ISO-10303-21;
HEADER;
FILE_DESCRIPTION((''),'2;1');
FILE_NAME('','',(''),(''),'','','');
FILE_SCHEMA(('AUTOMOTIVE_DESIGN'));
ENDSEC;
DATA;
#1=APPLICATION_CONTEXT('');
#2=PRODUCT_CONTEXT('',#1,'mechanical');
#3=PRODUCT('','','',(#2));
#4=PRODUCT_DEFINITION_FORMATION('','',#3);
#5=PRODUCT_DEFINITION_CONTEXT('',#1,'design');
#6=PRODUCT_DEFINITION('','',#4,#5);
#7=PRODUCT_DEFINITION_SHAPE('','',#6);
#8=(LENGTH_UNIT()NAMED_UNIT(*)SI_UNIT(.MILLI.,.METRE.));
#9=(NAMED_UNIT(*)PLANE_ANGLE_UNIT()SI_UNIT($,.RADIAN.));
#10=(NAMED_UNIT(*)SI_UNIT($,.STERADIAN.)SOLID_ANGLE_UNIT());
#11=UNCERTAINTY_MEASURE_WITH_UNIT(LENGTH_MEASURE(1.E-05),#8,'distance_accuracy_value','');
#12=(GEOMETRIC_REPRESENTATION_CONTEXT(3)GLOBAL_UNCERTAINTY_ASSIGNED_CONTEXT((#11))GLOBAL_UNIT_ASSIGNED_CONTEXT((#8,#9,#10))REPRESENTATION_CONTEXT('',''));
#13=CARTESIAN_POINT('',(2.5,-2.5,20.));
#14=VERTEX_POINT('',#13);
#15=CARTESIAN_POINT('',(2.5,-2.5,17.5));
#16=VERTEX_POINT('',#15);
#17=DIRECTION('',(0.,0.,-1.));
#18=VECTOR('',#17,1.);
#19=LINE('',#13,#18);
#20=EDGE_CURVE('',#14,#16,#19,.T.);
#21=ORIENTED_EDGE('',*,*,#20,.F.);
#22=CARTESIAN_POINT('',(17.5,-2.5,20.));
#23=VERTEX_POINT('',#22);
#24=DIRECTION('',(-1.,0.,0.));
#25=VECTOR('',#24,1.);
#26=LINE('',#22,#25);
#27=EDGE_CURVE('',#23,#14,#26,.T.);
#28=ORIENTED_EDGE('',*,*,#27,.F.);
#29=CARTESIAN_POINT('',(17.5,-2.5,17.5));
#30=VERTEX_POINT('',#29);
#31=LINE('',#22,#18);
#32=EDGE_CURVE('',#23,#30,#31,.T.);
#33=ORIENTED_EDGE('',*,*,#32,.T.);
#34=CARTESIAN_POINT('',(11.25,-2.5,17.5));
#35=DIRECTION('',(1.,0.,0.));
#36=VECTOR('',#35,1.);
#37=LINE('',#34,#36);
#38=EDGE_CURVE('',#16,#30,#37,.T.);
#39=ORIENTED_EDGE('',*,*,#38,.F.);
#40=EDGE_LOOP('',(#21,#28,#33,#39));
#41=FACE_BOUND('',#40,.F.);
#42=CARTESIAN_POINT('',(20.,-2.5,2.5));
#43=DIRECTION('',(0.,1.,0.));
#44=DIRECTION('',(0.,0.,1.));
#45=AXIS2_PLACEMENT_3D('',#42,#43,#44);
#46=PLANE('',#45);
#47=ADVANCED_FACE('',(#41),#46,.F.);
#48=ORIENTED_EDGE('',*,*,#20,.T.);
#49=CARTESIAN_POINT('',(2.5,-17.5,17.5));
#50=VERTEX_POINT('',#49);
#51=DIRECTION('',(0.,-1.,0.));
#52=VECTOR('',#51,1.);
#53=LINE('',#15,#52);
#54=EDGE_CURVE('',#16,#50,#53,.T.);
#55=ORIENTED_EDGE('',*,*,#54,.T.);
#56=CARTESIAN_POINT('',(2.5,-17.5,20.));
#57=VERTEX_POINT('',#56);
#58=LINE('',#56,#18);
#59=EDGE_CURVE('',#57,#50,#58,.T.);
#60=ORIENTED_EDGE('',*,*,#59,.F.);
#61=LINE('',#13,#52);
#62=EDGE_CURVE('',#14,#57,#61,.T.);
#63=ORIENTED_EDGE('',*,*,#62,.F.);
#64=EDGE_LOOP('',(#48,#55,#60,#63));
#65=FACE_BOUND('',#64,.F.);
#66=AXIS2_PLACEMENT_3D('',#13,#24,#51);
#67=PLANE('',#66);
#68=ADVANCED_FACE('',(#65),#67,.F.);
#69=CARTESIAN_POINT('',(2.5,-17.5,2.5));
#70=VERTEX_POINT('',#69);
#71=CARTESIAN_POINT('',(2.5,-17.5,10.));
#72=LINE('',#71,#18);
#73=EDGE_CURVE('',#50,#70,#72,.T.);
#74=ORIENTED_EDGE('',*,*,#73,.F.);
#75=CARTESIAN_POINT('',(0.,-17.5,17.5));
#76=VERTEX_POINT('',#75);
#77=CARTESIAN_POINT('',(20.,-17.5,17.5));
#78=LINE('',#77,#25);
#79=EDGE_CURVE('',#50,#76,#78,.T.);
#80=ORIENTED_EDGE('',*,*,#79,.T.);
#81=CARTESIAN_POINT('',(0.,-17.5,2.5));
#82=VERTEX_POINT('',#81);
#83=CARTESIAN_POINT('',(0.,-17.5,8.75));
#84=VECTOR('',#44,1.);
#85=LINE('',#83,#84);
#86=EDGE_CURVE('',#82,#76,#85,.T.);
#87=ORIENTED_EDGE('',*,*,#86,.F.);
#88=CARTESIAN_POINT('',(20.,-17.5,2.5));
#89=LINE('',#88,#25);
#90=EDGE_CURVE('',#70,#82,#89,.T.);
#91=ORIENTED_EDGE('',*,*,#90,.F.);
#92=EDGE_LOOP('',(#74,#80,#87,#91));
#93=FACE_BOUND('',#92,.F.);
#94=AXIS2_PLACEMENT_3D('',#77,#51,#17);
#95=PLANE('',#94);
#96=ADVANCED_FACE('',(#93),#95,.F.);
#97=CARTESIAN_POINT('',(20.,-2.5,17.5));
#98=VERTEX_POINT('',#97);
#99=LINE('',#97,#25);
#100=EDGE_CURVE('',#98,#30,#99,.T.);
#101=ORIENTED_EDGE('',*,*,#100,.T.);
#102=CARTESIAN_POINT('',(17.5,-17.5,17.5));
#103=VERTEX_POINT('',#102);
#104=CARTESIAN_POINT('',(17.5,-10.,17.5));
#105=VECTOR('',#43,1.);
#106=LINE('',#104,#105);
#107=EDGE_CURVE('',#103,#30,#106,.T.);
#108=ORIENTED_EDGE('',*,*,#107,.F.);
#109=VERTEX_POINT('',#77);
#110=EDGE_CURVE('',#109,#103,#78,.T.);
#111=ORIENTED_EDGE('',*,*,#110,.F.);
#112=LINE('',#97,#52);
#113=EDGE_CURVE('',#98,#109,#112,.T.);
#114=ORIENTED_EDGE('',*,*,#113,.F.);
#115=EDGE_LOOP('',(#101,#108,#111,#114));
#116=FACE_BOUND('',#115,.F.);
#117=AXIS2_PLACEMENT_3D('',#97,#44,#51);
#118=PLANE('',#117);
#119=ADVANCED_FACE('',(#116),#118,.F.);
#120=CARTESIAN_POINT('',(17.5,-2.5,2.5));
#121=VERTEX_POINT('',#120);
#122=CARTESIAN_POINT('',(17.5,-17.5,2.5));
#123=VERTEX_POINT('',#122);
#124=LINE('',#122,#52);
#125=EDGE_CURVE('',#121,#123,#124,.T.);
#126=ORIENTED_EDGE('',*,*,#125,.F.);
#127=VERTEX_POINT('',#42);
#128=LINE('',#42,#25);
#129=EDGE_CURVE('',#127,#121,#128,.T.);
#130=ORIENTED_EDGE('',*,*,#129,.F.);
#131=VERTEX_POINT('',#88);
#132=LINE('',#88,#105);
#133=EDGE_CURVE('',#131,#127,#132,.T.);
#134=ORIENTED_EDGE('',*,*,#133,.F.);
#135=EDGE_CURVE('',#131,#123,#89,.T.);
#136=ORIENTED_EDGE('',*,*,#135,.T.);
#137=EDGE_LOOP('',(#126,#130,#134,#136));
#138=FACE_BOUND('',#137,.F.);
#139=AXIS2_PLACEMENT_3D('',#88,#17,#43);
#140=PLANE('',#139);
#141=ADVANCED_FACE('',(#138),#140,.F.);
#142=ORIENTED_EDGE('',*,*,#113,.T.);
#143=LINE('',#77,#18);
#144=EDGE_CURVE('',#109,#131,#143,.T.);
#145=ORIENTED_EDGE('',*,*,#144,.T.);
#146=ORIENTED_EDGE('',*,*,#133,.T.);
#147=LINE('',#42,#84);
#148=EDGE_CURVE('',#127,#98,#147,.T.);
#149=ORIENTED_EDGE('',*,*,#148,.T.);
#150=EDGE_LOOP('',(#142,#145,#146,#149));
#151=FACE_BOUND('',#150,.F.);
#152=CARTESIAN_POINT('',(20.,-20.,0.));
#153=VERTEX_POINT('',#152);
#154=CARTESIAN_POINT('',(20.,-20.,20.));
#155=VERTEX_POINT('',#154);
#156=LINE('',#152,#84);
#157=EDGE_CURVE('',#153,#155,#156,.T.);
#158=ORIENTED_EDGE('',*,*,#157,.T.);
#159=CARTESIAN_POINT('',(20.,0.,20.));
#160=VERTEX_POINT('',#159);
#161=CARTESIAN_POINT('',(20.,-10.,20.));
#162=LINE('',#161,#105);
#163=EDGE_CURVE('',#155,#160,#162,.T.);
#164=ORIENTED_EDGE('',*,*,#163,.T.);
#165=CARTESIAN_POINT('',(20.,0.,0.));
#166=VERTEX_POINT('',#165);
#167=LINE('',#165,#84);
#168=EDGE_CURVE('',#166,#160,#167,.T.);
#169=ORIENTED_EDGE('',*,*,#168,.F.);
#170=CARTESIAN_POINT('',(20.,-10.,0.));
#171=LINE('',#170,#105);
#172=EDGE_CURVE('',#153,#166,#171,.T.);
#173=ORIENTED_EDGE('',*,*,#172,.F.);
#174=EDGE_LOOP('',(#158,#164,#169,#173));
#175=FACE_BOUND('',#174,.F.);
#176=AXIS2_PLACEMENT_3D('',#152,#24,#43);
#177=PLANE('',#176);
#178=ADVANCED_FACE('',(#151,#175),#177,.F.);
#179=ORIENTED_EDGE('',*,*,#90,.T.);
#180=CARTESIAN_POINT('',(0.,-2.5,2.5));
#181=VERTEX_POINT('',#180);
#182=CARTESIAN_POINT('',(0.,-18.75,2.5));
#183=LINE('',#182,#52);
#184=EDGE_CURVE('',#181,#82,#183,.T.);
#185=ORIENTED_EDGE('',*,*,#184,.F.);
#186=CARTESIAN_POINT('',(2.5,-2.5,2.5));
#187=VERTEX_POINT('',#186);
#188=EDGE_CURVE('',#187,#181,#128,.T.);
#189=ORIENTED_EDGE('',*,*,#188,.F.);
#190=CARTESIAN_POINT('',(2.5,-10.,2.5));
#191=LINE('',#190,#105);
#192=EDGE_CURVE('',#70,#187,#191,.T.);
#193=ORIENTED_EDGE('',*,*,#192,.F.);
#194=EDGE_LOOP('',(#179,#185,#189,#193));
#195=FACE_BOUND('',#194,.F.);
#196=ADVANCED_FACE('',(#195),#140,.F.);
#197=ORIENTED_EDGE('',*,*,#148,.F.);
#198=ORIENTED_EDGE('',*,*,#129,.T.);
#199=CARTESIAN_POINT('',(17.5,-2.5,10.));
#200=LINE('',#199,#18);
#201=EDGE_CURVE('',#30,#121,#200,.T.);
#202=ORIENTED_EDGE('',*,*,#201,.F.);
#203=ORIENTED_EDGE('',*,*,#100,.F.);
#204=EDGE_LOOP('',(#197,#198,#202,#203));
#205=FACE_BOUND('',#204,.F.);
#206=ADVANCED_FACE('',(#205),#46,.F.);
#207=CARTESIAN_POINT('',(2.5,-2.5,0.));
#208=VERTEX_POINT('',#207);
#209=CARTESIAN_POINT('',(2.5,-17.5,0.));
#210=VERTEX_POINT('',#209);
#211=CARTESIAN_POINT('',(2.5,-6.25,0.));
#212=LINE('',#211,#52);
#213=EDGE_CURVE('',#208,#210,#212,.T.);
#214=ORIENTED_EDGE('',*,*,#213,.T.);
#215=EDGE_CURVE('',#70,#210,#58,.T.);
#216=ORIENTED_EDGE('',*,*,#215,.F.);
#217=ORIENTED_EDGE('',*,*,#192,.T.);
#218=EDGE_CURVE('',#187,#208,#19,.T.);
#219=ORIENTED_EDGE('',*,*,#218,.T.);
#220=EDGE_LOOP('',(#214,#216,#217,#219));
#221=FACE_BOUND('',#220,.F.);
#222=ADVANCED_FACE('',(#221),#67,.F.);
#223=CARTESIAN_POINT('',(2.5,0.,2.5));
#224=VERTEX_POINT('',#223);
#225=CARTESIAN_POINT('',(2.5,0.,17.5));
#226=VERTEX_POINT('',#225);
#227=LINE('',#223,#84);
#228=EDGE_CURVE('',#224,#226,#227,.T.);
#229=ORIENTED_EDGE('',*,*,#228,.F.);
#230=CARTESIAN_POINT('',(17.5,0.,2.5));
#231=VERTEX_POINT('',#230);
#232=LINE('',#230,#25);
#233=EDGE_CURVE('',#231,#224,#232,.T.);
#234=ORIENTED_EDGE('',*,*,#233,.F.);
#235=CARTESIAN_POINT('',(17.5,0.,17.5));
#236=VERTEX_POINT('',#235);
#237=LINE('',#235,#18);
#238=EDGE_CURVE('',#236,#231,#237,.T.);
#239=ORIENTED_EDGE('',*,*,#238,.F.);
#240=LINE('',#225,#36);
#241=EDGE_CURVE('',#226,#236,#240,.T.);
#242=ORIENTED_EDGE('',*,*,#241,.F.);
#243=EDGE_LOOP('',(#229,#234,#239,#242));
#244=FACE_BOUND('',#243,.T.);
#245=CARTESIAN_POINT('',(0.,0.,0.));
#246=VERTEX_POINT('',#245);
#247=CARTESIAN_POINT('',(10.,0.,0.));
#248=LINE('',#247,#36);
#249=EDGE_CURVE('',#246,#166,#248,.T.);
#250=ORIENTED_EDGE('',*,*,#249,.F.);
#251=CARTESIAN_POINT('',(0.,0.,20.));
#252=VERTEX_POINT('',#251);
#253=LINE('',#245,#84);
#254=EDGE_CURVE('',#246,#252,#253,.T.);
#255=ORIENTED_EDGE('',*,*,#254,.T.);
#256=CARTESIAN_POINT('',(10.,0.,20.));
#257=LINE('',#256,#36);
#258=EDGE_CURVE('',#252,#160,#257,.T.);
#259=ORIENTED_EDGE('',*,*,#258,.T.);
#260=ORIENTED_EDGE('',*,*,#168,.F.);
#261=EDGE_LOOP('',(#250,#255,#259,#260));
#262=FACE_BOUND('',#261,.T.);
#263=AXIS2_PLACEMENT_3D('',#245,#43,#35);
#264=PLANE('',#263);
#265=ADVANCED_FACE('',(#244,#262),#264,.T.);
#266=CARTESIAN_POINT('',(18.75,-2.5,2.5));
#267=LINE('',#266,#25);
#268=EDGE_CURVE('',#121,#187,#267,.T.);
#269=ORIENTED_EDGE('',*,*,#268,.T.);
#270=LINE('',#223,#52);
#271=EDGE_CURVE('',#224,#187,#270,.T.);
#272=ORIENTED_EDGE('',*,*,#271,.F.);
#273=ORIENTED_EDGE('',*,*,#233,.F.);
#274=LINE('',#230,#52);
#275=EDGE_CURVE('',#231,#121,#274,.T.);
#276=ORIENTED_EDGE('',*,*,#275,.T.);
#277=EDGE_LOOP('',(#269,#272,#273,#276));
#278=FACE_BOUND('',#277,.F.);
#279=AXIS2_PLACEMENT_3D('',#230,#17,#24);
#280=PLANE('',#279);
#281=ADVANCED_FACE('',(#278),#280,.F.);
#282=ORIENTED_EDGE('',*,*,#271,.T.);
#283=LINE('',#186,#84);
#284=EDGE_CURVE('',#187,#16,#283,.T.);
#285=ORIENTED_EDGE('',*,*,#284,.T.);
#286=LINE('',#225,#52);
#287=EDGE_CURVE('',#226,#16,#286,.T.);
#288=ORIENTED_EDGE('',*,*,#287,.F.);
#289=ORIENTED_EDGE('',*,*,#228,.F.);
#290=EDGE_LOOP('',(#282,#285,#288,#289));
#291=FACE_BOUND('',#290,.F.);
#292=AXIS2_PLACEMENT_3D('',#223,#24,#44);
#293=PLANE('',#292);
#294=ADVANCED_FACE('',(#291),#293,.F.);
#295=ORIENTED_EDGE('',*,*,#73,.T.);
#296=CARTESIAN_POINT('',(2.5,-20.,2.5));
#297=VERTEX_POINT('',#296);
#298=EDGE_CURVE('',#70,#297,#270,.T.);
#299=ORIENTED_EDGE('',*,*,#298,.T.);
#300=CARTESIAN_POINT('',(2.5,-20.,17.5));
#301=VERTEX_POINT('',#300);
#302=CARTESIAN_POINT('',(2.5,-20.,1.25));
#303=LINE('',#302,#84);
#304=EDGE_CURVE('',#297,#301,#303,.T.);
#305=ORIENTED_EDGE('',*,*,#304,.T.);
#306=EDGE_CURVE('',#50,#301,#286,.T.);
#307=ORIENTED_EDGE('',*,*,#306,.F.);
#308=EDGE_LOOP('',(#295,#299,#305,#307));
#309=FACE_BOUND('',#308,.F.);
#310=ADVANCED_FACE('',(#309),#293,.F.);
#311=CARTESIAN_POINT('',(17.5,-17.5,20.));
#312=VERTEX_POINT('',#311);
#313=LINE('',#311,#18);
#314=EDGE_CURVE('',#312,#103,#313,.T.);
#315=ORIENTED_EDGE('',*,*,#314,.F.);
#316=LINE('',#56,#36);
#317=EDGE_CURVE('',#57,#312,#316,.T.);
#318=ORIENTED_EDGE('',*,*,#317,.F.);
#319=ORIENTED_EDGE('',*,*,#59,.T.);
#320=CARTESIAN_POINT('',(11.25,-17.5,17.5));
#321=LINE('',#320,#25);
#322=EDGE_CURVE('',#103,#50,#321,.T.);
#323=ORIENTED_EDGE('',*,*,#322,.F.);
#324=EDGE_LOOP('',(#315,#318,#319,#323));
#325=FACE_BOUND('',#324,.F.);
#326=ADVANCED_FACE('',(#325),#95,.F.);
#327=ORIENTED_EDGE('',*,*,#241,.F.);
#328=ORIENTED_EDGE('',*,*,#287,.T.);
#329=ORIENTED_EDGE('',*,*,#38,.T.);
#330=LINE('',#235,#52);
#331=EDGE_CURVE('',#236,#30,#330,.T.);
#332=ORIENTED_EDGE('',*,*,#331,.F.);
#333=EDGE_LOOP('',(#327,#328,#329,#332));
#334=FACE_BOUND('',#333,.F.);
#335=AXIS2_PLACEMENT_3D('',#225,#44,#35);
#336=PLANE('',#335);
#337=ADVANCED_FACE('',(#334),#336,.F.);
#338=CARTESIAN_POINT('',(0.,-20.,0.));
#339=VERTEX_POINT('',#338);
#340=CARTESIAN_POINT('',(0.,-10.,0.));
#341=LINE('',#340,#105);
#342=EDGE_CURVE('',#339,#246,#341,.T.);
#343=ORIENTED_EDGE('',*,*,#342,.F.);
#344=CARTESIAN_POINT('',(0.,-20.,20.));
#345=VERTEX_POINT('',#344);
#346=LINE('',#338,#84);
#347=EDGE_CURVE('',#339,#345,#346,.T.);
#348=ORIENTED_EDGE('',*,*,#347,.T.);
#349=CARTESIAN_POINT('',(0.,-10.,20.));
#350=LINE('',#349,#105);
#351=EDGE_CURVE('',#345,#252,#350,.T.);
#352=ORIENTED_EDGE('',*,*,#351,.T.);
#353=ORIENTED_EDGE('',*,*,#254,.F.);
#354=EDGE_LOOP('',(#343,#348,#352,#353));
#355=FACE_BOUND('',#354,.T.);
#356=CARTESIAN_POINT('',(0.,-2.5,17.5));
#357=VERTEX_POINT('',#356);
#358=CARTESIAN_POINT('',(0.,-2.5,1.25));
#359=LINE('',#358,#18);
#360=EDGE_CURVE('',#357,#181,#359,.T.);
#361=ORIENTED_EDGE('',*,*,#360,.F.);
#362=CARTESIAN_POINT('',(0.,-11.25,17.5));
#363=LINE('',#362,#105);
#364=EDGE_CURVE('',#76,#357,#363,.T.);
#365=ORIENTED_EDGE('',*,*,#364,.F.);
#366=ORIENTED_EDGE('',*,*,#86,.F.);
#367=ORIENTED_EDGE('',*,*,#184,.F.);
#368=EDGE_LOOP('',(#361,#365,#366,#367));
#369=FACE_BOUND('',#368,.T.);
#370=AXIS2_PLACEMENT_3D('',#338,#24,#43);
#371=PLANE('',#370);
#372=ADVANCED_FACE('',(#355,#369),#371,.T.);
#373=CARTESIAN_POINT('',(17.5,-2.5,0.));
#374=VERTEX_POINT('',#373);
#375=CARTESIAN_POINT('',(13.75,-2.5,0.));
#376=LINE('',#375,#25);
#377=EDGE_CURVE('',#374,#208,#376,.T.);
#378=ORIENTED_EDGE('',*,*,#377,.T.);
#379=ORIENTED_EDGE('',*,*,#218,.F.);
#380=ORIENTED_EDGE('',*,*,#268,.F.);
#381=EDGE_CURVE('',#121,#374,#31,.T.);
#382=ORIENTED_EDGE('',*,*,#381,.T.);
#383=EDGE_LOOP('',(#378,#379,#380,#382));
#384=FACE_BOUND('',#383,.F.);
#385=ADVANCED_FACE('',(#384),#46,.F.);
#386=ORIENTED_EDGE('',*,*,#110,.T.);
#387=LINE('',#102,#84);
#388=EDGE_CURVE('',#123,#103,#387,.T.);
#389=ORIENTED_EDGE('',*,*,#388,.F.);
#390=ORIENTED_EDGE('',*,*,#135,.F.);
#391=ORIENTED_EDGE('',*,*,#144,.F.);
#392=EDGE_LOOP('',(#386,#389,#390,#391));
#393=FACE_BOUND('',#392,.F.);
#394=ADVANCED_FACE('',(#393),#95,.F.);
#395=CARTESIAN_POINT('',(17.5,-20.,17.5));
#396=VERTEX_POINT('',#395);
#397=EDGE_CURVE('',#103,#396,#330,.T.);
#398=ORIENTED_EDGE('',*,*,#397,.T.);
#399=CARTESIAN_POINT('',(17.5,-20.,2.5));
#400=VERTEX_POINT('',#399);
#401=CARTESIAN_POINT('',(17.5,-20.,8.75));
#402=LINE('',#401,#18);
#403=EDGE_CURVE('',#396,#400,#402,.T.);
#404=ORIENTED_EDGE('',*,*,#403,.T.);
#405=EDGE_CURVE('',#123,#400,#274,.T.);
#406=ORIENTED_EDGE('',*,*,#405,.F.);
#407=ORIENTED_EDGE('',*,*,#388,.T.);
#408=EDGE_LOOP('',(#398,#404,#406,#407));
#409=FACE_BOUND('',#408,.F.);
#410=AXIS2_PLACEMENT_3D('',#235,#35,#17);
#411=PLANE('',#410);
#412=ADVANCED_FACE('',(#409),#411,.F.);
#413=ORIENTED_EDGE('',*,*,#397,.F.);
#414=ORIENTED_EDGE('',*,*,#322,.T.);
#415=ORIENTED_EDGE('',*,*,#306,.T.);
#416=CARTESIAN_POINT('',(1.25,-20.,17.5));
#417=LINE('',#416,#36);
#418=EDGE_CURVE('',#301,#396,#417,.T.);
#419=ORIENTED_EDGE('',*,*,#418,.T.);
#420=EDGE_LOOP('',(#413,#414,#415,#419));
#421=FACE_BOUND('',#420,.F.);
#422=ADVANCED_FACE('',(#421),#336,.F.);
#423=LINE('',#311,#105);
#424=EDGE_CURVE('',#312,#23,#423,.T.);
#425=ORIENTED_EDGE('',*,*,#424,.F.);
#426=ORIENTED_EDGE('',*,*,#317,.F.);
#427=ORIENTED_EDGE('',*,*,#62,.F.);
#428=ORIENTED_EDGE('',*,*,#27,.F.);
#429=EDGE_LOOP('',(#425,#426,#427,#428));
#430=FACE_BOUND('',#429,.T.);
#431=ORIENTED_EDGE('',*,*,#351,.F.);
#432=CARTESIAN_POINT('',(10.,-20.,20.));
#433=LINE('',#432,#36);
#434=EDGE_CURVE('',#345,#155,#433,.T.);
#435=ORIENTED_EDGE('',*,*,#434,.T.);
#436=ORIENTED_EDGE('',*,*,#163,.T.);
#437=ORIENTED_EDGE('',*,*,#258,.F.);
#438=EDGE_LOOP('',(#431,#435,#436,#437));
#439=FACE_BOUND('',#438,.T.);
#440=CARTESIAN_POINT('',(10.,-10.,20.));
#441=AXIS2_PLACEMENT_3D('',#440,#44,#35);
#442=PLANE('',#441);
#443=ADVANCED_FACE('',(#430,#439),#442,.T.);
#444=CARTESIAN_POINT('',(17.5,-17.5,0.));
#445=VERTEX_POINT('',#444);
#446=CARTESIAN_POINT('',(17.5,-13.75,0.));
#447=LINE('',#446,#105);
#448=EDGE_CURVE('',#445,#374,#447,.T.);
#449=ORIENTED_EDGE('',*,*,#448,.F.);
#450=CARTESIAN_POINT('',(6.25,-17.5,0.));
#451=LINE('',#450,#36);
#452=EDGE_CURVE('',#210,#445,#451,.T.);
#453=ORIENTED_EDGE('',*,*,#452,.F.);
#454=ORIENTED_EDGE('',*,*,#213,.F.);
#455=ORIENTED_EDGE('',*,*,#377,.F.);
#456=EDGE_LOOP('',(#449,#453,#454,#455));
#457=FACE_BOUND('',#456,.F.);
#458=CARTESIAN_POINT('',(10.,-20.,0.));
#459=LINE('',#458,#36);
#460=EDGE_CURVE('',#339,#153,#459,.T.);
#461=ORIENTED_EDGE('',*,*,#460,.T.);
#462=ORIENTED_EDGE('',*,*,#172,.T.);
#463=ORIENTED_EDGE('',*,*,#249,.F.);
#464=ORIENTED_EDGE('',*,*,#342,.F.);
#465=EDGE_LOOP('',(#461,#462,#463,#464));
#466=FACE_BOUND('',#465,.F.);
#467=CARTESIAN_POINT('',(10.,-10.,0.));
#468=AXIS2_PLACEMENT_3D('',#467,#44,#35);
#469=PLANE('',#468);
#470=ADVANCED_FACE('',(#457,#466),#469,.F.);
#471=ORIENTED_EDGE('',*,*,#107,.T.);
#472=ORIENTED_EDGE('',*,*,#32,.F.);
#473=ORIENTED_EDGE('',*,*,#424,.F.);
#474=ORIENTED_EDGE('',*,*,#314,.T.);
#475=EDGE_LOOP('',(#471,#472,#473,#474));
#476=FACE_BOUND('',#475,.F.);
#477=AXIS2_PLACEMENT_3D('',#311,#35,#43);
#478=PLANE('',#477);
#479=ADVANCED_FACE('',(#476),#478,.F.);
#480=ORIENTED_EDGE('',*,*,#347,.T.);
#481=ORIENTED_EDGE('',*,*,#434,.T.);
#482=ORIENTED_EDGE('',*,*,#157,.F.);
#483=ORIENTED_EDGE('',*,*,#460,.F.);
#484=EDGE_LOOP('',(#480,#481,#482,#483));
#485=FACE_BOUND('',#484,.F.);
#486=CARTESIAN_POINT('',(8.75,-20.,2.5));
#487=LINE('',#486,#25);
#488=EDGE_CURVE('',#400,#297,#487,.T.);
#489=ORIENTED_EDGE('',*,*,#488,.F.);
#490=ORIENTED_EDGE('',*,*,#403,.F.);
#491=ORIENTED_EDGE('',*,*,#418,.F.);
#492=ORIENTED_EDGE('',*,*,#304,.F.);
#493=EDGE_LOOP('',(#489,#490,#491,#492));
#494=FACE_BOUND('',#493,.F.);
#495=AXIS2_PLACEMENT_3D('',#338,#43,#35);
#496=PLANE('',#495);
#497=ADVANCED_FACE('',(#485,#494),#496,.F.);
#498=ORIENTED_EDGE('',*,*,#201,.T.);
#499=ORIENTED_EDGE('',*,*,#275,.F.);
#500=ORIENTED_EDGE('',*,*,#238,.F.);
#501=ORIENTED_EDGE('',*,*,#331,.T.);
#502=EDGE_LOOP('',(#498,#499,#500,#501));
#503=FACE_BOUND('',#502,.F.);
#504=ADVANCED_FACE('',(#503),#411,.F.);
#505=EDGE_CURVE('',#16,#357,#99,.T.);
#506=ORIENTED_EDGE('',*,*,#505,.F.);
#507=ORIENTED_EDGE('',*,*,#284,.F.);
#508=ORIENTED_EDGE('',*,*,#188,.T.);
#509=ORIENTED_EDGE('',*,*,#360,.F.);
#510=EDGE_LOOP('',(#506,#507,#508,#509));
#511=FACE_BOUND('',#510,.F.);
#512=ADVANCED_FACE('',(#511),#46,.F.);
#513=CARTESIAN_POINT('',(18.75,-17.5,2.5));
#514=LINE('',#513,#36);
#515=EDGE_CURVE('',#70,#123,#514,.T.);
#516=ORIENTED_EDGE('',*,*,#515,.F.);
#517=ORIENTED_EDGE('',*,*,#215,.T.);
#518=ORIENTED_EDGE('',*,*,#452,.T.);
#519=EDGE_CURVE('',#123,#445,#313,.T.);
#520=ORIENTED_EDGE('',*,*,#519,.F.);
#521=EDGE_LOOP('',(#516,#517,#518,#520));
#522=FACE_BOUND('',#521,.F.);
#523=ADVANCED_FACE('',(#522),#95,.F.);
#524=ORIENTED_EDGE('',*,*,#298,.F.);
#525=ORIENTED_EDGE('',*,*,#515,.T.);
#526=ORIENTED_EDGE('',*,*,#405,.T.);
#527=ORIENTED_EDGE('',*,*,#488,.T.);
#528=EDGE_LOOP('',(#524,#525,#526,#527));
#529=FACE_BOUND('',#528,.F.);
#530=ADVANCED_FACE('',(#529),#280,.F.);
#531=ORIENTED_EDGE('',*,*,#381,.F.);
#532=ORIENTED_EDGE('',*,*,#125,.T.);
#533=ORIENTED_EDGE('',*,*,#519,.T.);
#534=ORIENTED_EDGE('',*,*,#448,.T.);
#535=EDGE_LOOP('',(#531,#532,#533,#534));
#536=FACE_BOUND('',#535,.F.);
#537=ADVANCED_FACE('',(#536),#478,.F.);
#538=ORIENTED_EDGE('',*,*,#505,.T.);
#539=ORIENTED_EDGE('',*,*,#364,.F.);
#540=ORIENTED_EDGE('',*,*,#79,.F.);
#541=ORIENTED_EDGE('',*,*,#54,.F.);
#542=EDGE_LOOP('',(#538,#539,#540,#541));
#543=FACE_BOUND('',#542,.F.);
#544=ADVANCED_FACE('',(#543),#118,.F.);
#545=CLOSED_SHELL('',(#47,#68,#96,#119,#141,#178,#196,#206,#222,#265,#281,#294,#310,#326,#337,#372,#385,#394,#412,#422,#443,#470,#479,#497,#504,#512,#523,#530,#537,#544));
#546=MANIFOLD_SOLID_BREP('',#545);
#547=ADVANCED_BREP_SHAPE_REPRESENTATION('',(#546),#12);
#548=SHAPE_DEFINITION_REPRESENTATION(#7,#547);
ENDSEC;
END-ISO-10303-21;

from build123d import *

# Parameters (mm, degrees)
F0_W     = 20
F0_H     = 20
F1_DEPTH = 20
F2_W     = 7.5
F2_H     = 7.5
F3_DEPTH = 25
F4_W     = 7.5
F4_H     = 7.5
F5_DEPTH = 25
F6_W     = 7.5
F6_H     = 7.5
F7_DEPTH = 25


with BuildPart() as f1:
    # F0 (on Top) → F1 (new body)
    with BuildSketch(Plane.XY):
        with Locations((10, -10)):
            Rectangle(F0_W, F0_H)
    extrude(amount=F1_DEPTH)

    # F2 (on face) → F3 (cut)
    with BuildSketch(Plane.YZ.offset(20)):
        with Locations((-6.25, 13.75)):
            Rectangle(F2_W, F2_H)
        with Locations((-6.25, 6.25)):
            Rectangle(F2_W, F2_H)
        with Locations((-13.75, 6.25)):
            Rectangle(F2_W, F2_H)
        with Locations((-13.75, 13.75)):
            Rectangle(F2_W, F2_H)
    extrude(amount=-F3_DEPTH, mode=Mode.SUBTRACT)

    # F4 (on face) → F5 (cut)
    with BuildSketch(Plane.XY.offset(20)):
        with Locations((13.75, -6.25)):
            Rectangle(F4_W, F4_H)
        with Locations((6.25, -13.75)):
            Rectangle(F4_W, F4_H)
        with Locations((13.75, -13.75)):
            Rectangle(F4_W, F4_H)
        with Locations((6.25, -6.25)):
            Rectangle(F4_W, F4_H)
    extrude(amount=-F5_DEPTH, mode=Mode.SUBTRACT)

    # F6 (on face) → F7 (cut)
    with BuildSketch(Plane(origin=(0, 0, 0), x_dir=(-1, 0, 0), z_dir=(0, 1, 0))):
        with Locations((-13.75, 6.25)):
            Rectangle(F6_W, F6_H)
        with Locations((-6.25, 6.25)):
            Rectangle(F6_W, F6_H)
        with Locations((-13.75, 13.75)):
            Rectangle(F6_W, F6_H)
        with Locations((-6.25, 13.75)):
            Rectangle(F6_W, F6_H)
    extrude(amount=-F7_DEPTH, mode=Mode.SUBTRACT)


solid = f1.part
